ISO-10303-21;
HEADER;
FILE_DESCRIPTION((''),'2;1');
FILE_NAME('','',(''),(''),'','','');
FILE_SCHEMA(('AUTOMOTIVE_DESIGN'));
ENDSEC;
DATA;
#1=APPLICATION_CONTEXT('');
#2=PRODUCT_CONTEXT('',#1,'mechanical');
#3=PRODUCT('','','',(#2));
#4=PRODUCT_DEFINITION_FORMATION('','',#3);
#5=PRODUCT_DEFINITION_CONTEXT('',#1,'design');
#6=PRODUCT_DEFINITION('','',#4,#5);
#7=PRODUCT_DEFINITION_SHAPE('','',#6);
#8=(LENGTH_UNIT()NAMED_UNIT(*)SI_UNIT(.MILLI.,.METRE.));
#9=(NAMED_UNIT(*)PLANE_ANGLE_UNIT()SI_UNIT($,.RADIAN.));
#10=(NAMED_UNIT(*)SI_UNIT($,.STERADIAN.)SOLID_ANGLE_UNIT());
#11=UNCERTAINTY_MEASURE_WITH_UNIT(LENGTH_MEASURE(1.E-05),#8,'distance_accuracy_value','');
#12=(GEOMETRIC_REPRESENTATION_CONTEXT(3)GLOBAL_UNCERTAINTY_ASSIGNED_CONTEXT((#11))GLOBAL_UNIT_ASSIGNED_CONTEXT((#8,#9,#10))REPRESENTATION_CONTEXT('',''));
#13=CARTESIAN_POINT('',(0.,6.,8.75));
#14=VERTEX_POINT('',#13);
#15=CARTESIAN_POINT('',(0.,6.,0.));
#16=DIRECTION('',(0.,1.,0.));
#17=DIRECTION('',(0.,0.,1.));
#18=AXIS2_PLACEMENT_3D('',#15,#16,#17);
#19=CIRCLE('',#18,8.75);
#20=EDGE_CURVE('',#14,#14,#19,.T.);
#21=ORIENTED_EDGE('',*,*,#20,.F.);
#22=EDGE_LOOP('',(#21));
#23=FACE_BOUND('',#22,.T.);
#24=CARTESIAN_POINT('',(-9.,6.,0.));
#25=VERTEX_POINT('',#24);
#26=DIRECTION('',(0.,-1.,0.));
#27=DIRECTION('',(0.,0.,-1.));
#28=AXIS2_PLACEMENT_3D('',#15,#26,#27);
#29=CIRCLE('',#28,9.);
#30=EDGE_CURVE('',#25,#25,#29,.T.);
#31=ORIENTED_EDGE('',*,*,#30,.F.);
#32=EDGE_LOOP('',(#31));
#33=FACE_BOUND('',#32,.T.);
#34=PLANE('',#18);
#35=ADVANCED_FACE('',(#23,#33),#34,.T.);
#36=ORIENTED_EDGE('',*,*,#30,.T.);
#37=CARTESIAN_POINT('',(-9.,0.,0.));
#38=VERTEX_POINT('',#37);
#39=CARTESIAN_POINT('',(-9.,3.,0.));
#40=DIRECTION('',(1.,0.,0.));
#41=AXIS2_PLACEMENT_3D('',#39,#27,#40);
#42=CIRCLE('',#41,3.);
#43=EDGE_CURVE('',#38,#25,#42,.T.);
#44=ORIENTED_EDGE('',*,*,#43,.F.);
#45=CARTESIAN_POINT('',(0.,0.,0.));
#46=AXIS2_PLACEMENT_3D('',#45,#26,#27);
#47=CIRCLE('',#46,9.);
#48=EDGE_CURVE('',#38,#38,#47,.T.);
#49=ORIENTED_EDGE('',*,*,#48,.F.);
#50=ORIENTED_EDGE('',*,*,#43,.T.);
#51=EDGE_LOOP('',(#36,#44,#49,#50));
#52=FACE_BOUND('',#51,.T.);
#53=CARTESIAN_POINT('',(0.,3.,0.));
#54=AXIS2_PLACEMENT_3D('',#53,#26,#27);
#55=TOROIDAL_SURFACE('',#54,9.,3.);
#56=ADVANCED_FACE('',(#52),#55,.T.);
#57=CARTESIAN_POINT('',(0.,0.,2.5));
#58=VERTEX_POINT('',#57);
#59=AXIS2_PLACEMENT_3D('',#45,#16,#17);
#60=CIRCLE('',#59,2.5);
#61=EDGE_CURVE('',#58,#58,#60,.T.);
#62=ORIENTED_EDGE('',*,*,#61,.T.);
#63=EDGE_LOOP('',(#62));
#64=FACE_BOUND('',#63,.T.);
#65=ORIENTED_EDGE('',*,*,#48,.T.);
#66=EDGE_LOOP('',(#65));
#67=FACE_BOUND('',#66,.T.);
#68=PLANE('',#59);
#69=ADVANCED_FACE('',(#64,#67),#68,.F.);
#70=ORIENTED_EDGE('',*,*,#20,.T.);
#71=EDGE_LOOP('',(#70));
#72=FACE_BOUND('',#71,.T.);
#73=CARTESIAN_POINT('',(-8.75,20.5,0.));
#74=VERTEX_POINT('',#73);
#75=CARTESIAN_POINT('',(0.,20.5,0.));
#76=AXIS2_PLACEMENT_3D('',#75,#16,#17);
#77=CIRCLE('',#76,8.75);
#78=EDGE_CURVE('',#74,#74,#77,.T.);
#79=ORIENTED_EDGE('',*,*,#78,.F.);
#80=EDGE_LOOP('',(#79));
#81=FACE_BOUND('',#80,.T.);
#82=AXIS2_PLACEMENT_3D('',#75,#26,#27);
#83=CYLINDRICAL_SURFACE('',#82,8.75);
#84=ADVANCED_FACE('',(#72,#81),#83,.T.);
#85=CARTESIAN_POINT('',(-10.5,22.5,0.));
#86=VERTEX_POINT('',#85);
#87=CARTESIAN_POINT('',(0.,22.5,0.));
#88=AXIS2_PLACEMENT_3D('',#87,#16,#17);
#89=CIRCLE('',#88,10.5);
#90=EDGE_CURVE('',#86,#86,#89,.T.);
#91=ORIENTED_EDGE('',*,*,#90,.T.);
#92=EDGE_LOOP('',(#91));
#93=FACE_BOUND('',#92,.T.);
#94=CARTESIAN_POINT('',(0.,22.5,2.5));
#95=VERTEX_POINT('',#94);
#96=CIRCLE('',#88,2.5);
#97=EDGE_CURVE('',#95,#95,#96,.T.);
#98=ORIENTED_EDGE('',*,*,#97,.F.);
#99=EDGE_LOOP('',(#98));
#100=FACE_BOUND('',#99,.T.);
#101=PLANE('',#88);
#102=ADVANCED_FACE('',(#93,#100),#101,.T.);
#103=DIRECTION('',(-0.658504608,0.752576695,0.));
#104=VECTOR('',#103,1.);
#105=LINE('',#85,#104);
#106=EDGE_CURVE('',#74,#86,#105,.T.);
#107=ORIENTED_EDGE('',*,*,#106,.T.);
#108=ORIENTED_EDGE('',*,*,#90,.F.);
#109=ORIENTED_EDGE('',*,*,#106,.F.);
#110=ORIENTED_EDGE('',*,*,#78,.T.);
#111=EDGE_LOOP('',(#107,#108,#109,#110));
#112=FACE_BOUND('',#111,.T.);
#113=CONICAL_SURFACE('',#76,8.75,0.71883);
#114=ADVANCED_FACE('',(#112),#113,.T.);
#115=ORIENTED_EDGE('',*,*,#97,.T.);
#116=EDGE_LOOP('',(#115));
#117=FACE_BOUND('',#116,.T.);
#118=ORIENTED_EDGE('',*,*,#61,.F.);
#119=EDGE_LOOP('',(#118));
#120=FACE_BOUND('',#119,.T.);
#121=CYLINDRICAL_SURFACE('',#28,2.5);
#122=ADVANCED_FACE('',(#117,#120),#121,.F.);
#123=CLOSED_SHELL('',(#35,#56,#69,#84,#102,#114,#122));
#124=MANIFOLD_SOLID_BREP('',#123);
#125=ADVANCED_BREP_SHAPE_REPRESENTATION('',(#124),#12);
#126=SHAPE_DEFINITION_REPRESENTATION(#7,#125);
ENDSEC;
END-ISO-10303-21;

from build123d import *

# Parameters (mm, degrees)
SKETCH1_R           = 12
SKETCH1_R_2         = 2.5
BOSS_EXTRUDE1_DEPTH = 6
SKETCH2_R           = 8.750000000000002
SKETCH2_R_2         = 2.5
BOSS_EXTRUDE2_DEPTH = 14.5
SKETCH3_R           = 10.5
SKETCH3_R_2         = 2.5
BOSS_EXTRUDE3_DEPTH = 2


with BuildPart() as part:
    # Sketch1 → Boss-Extrude1 (new body)
    with BuildSketch(Plane(origin=(0, 0, 0), x_dir=(1, 0, 0), z_dir=(0, 1, 0))):
        with Locations(Location((0, 0, 0), (0, 0, 270))):
            Circle(SKETCH1_R)
        with Locations(Location((0, 0, 0), (0, 0, 270))):
            Circle(SKETCH1_R_2, mode=Mode.SUBTRACT)
    extrude(amount=BOSS_EXTRUDE1_DEPTH)

    # Sketch2 → Boss-Extrude2 (add)
    with BuildSketch(Plane(origin=(0, 6, 0), x_dir=(1, 0, 0), z_dir=(0, 1, 0))):
        with Locations(Location((0, 0, 0), (0, 0, 90))):
            Circle(SKETCH2_R)
        with Locations(Location((0, 0, 0), (0, 0, 270))):
            Circle(SKETCH2_R_2, mode=Mode.SUBTRACT)
    extrude(amount=BOSS_EXTRUDE2_DEPTH)

    # Sketch3 → Boss-Extrude3 (add)
    with BuildSketch(Plane(origin=(0, 20.5, 0), x_dir=(1, 0, 0), z_dir=(0, 1, 0))):
        with Locations(Location((0, 0, 0), (0, 0, 270))):
            Circle(SKETCH3_R)
        with Locations(Location((0, 0, 0), (0, 0, 270))):
            Circle(SKETCH3_R_2, mode=Mode.SUBTRACT)
    extrude(amount=BOSS_EXTRUDE3_DEPTH)

    # Cut-Sweep3: sweep along a curve in space
    with BuildLine() as cut_sweep3_path:
        ThreePointArc((0, 20.5, 8.750000000000002), (6.187184335382292, 20.5, 6.187184335382293), (8.750000000000002, 20.5, 0))
        ThreePointArc((8.750000000000002, 20.5, 0), (6.187184335382293, 20.5, -6.187184335382292), (0, 20.5, -8.750000000000002))
        ThreePointArc((0, 20.5, -8.750000000000002), (-6.187184335382292, 20.5, -6.187184335382293), (-8.750000000000002, 20.5, 0))
        ThreePointArc((-8.750000000000002, 20.5, 0), (-6.187184335382293, 20.5, 6.187184335382292), (0, 20.5, 8.750000000000002))
    # Sketch5 → Cut-Sweep3 (sweep, cut)
    with BuildSketch(Plane.XY):
        Polygon((-10.5, 22.5), (-8.750000000000002, 20.5), (-10.5, 20.5), align=None)
    sweep(path=cut_sweep3_path.line, mode=Mode.SUBTRACT)

    # Cut-Sweep4: sweep along a curve in space
    with BuildLine() as cut_sweep4_path:
        ThreePointArc((0, 6, 12.000000000000002), (8.485281374238571, 6, 8.485281374238571), (12.000000000000002, 6, 0))
        ThreePointArc((12.000000000000002, 6, 0), (8.485281374238571, 6, -8.485281374238571), (0, 6, -12.000000000000002))
        ThreePointArc((0, 6, -12.000000000000002), (-8.485281374238571, 6, -8.485281374238571), (-12.000000000000002, 6, 0))
        ThreePointArc((-12.000000000000002, 6, 0), (-8.485281374238571, 6, 8.485281374238571), (0, 6, 12.000000000000002))
    # Sketch6 → Cut-Sweep4 (sweep, cut)
    with BuildSketch(Plane.XY):
        with BuildLine():
            Line((-12.000000000000002, 3), (-12.000000000000002, 6))
            Line((-12.000000000000002, 6), (-9.000000000000002, 6.000000000000002))
            ThreePointArc((-9.000000000000002, 6.000000000000002), (-11.121320343559645, 5.121320343559644), (-12.000000000000002, 3))
        make_face()
    sweep(path=cut_sweep4_path.line, mode=Mode.SUBTRACT)

    # Cut-Sweep5: sweep along a curve in space
    with BuildLine() as cut_sweep5_path:
        ThreePointArc((0, 0, 12.000000000000002), (8.485281374238571, 0, 8.485281374238571), (12.000000000000002, 0, 0))
        ThreePointArc((12.000000000000002, 0, 0), (8.485281374238571, 0, -8.485281374238571), (0, 0, -12.000000000000002))
        ThreePointArc((0, 0, -12.000000000000002), (-8.485281374238571, 0, -8.485281374238571), (-12.000000000000002, 0, 0))
        ThreePointArc((-12.000000000000002, 0, 0), (-8.485281374238571, 0, 8.485281374238571), (0, 0, 12.000000000000002))
    # Sketch7 → Cut-Sweep5 (sweep, cut)
    with BuildSketch(Plane.XY):
        with BuildLine():
            Line((-9.000000000000002, -1.3e-15), (-12.000000000000002, 0))
            Line((-12.000000000000002, 0), (-12.000000000000002, 2.999999999999979))
            ThreePointArc((-12.000000000000002, 2.999999999999979), (-11.121320343559637, 0.8786796564403496), (-9.000000000000002, -1.3e-15))
        make_face()
    sweep(path=cut_sweep5_path.line, mode=Mode.SUBTRACT)


solid = part.part
